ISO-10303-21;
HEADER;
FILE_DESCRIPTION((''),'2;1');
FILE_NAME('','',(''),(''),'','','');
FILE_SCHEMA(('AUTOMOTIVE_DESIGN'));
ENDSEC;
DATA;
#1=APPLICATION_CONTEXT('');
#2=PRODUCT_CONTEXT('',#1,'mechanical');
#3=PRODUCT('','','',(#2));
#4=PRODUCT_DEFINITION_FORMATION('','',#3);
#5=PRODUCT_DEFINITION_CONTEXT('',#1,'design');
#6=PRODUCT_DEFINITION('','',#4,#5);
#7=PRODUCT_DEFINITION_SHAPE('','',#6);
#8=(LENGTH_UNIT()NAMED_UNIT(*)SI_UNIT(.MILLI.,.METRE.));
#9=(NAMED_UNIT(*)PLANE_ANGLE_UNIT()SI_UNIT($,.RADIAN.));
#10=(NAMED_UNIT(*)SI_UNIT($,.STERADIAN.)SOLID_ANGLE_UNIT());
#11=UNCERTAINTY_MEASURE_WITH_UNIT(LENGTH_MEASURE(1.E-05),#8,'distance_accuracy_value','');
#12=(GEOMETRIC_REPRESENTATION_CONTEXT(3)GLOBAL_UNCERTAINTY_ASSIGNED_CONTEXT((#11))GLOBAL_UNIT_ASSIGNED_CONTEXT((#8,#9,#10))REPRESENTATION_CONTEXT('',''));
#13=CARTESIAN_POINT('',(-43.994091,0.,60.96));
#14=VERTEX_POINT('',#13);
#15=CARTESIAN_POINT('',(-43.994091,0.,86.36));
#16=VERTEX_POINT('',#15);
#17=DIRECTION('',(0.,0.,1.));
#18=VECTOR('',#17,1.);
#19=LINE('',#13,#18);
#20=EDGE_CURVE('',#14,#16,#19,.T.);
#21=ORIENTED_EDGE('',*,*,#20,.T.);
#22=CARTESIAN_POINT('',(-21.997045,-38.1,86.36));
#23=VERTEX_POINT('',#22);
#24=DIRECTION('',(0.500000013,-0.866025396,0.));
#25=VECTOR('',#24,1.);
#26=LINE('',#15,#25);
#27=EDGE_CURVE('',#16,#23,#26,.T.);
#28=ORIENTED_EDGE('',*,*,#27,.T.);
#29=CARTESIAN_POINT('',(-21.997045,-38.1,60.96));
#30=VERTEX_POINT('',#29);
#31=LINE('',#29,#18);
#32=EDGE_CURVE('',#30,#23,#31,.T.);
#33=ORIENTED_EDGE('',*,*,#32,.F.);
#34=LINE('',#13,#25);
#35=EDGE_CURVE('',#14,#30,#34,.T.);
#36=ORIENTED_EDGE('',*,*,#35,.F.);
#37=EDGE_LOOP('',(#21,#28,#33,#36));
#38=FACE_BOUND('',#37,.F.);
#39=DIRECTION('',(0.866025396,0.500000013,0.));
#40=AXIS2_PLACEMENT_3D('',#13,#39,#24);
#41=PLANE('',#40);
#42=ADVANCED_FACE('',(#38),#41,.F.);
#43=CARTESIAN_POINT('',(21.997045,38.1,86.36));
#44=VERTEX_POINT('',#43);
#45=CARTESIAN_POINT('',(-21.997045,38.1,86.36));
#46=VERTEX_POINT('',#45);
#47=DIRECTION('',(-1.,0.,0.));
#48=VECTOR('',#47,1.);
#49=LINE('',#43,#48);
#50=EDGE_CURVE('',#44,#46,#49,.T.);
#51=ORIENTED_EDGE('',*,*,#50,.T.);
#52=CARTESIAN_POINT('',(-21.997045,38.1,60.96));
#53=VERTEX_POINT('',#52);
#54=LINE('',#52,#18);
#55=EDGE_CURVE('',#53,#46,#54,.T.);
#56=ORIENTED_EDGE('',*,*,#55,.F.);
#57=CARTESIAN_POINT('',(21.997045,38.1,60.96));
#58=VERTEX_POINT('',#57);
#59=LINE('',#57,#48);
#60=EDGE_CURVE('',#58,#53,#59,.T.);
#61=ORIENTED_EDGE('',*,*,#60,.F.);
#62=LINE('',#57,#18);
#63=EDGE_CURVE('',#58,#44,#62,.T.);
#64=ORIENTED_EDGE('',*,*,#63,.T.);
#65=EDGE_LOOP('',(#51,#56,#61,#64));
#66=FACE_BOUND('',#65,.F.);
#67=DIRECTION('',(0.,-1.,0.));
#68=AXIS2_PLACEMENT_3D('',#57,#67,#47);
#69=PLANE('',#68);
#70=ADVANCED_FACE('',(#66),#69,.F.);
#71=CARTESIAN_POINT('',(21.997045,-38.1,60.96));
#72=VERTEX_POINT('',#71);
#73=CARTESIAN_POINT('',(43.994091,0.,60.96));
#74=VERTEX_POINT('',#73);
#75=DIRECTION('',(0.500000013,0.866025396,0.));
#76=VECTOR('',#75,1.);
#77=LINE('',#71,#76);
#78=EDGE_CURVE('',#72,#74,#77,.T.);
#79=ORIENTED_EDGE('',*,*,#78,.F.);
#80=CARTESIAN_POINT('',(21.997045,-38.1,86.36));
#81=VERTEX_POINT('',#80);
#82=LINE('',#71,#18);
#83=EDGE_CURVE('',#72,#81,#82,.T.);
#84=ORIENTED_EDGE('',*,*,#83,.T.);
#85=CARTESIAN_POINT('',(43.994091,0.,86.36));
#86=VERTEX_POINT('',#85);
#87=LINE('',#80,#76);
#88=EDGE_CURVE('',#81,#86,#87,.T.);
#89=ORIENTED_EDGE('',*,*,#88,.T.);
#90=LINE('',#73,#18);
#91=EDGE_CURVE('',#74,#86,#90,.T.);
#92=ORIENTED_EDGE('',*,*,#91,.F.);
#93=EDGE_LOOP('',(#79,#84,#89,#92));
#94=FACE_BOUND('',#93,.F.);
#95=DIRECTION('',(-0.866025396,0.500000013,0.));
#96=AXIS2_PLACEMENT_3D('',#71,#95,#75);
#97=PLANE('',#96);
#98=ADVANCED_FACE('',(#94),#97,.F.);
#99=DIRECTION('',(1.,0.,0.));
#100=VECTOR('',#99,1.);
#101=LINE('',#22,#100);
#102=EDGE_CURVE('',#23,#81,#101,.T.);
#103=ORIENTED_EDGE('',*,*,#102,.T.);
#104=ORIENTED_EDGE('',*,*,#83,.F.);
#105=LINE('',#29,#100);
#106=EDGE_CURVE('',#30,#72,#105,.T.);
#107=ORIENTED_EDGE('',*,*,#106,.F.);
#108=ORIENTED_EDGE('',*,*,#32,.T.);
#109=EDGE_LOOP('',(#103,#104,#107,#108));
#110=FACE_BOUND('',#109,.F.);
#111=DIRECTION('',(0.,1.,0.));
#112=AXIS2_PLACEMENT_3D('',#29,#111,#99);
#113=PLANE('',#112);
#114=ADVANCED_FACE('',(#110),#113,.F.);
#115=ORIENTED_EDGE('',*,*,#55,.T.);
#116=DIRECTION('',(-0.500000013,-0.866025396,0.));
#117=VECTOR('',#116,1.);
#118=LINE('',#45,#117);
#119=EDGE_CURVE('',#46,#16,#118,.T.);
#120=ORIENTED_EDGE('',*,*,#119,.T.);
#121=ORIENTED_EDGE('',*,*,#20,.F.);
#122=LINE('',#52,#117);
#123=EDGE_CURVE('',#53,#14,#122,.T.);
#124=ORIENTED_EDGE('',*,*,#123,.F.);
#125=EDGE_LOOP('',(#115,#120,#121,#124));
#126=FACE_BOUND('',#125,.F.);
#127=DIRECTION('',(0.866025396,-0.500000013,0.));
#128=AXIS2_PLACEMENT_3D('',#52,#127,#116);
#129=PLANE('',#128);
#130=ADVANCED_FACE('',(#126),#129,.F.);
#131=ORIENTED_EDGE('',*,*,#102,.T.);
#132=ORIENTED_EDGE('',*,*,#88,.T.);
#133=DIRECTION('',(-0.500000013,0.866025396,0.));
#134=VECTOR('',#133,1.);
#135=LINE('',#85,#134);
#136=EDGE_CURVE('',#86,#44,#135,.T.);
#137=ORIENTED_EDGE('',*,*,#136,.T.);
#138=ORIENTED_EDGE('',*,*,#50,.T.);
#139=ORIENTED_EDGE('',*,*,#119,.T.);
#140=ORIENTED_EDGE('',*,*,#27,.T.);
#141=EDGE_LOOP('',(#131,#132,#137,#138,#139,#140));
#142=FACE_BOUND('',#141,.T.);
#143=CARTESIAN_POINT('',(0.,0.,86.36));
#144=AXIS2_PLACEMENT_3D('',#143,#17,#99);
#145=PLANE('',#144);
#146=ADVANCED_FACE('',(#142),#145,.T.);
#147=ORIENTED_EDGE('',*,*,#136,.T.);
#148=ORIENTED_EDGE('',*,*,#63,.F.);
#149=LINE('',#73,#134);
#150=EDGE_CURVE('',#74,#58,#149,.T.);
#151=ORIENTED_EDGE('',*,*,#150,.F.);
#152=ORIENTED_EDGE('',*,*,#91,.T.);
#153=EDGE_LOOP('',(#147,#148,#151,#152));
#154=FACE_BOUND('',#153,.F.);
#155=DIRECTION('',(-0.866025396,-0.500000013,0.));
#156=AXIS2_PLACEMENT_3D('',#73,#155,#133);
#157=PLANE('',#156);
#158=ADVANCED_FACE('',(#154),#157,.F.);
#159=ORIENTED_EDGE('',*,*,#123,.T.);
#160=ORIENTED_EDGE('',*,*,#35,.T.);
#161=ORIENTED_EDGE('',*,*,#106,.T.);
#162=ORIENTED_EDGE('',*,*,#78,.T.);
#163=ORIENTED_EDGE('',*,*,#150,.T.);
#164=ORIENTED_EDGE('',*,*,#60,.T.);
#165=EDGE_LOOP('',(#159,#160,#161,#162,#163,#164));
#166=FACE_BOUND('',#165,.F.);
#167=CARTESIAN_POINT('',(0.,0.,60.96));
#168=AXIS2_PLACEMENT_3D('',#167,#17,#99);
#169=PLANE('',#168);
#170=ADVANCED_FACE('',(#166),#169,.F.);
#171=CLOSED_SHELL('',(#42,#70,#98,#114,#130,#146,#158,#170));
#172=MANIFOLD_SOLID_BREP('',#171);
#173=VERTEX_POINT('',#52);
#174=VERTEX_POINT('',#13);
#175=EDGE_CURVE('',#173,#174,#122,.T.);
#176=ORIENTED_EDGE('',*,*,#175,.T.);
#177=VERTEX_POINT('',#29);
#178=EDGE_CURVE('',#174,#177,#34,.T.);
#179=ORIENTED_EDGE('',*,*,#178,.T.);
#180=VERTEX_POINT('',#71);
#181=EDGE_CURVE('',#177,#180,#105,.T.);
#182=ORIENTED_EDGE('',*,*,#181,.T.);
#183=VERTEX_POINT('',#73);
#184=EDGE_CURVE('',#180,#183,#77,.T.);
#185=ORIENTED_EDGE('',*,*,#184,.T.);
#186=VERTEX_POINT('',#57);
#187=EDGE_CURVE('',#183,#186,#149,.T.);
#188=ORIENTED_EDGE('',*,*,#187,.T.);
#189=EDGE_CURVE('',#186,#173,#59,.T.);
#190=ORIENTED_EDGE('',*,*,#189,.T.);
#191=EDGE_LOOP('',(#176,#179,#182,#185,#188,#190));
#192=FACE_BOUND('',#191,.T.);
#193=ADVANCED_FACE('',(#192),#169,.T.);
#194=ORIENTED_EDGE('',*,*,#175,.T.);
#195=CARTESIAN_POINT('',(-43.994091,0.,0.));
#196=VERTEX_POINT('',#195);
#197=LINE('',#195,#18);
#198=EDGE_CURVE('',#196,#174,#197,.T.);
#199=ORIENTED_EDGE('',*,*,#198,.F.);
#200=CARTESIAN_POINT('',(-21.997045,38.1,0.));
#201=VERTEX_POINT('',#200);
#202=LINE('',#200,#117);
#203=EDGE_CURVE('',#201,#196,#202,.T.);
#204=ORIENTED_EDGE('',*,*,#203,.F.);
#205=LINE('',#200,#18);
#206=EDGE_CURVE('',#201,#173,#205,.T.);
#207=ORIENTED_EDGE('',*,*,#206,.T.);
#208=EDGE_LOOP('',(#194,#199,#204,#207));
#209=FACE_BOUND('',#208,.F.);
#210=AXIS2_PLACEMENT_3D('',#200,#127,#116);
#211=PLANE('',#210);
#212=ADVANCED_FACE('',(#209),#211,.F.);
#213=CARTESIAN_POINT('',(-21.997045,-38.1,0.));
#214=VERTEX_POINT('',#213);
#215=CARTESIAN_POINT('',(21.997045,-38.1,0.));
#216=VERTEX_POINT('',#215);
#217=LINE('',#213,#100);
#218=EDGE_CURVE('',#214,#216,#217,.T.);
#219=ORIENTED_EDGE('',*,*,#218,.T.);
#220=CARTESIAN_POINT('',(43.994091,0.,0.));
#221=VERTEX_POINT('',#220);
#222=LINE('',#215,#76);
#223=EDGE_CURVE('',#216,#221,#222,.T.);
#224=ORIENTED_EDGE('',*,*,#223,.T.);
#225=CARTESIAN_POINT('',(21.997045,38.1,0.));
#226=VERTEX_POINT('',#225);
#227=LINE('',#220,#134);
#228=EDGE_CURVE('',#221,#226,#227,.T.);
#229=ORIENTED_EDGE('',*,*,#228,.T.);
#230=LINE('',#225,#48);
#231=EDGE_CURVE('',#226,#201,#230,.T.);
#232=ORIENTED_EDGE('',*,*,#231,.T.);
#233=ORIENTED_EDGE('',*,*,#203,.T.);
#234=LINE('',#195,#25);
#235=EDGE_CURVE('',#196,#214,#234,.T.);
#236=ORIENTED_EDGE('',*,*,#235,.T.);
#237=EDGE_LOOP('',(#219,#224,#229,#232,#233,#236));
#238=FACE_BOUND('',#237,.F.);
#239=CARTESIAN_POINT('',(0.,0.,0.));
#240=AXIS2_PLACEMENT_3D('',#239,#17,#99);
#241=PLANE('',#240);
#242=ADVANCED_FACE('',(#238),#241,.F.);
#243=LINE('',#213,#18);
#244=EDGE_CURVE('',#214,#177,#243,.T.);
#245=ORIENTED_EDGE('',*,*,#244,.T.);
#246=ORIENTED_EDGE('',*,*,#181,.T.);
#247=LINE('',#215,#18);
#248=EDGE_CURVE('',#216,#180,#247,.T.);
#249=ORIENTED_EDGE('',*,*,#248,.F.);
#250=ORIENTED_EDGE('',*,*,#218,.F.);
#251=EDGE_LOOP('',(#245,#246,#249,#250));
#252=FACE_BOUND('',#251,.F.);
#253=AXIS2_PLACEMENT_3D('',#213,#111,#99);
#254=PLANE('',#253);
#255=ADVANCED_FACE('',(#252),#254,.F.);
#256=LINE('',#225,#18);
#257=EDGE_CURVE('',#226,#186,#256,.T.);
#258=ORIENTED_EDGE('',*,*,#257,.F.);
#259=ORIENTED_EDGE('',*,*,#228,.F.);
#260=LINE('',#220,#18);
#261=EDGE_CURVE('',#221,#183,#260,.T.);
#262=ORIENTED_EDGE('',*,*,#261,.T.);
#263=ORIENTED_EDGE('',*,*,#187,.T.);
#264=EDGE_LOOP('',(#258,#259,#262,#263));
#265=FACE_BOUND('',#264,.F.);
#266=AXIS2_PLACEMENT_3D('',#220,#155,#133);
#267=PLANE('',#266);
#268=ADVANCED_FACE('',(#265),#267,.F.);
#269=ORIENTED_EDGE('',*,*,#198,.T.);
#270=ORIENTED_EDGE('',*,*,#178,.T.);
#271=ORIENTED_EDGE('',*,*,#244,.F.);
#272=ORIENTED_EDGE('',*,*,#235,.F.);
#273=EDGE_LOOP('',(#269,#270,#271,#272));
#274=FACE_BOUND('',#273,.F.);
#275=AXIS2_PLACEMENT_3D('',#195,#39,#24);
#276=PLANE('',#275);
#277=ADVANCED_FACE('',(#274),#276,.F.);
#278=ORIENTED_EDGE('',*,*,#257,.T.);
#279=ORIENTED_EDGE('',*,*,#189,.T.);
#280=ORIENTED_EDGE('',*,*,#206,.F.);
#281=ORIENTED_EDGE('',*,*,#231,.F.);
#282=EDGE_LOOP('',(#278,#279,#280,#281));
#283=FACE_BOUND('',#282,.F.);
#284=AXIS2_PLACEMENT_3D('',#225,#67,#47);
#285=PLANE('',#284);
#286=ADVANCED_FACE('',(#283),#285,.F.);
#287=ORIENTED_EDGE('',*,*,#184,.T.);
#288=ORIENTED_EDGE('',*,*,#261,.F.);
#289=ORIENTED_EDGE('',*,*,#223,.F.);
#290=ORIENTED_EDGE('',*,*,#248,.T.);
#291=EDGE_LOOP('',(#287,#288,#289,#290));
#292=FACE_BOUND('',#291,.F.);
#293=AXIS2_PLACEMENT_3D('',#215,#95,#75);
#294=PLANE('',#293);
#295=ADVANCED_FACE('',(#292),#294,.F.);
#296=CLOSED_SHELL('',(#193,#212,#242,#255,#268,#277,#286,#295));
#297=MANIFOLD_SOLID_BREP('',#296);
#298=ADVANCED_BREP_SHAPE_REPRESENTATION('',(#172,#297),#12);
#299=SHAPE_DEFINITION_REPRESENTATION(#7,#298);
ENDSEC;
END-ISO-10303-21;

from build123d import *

# Parameters (mm, degrees)
F1_DEPTH = 60.96
F2_DEPTH = 25.4


with BuildPart() as f1:
    # F0 (on Top) → F1 (new body)
    with BuildSketch(Plane.XY):
        Polygon((21.997045, 38.1), (-21.997045, 38.1), (-43.994091, 0), (-21.997045, -38.1), (21.997045, -38.1), (43.994091, 0), align=None)
    extrude(amount=F1_DEPTH)


with BuildPart() as f2:
    # F1_face (on face) → F2 (new body)
    with BuildSketch(Plane.XY.offset(60.96)):
        Polygon((21.997045, 38.1), (-21.997045, 38.1), (-43.994091, 0), (-21.997045, -38.1), (21.997045, -38.1), (43.994091, 0), align=None)
    extrude(amount=F2_DEPTH)


solid = Compound([f1.part, f2.part])
